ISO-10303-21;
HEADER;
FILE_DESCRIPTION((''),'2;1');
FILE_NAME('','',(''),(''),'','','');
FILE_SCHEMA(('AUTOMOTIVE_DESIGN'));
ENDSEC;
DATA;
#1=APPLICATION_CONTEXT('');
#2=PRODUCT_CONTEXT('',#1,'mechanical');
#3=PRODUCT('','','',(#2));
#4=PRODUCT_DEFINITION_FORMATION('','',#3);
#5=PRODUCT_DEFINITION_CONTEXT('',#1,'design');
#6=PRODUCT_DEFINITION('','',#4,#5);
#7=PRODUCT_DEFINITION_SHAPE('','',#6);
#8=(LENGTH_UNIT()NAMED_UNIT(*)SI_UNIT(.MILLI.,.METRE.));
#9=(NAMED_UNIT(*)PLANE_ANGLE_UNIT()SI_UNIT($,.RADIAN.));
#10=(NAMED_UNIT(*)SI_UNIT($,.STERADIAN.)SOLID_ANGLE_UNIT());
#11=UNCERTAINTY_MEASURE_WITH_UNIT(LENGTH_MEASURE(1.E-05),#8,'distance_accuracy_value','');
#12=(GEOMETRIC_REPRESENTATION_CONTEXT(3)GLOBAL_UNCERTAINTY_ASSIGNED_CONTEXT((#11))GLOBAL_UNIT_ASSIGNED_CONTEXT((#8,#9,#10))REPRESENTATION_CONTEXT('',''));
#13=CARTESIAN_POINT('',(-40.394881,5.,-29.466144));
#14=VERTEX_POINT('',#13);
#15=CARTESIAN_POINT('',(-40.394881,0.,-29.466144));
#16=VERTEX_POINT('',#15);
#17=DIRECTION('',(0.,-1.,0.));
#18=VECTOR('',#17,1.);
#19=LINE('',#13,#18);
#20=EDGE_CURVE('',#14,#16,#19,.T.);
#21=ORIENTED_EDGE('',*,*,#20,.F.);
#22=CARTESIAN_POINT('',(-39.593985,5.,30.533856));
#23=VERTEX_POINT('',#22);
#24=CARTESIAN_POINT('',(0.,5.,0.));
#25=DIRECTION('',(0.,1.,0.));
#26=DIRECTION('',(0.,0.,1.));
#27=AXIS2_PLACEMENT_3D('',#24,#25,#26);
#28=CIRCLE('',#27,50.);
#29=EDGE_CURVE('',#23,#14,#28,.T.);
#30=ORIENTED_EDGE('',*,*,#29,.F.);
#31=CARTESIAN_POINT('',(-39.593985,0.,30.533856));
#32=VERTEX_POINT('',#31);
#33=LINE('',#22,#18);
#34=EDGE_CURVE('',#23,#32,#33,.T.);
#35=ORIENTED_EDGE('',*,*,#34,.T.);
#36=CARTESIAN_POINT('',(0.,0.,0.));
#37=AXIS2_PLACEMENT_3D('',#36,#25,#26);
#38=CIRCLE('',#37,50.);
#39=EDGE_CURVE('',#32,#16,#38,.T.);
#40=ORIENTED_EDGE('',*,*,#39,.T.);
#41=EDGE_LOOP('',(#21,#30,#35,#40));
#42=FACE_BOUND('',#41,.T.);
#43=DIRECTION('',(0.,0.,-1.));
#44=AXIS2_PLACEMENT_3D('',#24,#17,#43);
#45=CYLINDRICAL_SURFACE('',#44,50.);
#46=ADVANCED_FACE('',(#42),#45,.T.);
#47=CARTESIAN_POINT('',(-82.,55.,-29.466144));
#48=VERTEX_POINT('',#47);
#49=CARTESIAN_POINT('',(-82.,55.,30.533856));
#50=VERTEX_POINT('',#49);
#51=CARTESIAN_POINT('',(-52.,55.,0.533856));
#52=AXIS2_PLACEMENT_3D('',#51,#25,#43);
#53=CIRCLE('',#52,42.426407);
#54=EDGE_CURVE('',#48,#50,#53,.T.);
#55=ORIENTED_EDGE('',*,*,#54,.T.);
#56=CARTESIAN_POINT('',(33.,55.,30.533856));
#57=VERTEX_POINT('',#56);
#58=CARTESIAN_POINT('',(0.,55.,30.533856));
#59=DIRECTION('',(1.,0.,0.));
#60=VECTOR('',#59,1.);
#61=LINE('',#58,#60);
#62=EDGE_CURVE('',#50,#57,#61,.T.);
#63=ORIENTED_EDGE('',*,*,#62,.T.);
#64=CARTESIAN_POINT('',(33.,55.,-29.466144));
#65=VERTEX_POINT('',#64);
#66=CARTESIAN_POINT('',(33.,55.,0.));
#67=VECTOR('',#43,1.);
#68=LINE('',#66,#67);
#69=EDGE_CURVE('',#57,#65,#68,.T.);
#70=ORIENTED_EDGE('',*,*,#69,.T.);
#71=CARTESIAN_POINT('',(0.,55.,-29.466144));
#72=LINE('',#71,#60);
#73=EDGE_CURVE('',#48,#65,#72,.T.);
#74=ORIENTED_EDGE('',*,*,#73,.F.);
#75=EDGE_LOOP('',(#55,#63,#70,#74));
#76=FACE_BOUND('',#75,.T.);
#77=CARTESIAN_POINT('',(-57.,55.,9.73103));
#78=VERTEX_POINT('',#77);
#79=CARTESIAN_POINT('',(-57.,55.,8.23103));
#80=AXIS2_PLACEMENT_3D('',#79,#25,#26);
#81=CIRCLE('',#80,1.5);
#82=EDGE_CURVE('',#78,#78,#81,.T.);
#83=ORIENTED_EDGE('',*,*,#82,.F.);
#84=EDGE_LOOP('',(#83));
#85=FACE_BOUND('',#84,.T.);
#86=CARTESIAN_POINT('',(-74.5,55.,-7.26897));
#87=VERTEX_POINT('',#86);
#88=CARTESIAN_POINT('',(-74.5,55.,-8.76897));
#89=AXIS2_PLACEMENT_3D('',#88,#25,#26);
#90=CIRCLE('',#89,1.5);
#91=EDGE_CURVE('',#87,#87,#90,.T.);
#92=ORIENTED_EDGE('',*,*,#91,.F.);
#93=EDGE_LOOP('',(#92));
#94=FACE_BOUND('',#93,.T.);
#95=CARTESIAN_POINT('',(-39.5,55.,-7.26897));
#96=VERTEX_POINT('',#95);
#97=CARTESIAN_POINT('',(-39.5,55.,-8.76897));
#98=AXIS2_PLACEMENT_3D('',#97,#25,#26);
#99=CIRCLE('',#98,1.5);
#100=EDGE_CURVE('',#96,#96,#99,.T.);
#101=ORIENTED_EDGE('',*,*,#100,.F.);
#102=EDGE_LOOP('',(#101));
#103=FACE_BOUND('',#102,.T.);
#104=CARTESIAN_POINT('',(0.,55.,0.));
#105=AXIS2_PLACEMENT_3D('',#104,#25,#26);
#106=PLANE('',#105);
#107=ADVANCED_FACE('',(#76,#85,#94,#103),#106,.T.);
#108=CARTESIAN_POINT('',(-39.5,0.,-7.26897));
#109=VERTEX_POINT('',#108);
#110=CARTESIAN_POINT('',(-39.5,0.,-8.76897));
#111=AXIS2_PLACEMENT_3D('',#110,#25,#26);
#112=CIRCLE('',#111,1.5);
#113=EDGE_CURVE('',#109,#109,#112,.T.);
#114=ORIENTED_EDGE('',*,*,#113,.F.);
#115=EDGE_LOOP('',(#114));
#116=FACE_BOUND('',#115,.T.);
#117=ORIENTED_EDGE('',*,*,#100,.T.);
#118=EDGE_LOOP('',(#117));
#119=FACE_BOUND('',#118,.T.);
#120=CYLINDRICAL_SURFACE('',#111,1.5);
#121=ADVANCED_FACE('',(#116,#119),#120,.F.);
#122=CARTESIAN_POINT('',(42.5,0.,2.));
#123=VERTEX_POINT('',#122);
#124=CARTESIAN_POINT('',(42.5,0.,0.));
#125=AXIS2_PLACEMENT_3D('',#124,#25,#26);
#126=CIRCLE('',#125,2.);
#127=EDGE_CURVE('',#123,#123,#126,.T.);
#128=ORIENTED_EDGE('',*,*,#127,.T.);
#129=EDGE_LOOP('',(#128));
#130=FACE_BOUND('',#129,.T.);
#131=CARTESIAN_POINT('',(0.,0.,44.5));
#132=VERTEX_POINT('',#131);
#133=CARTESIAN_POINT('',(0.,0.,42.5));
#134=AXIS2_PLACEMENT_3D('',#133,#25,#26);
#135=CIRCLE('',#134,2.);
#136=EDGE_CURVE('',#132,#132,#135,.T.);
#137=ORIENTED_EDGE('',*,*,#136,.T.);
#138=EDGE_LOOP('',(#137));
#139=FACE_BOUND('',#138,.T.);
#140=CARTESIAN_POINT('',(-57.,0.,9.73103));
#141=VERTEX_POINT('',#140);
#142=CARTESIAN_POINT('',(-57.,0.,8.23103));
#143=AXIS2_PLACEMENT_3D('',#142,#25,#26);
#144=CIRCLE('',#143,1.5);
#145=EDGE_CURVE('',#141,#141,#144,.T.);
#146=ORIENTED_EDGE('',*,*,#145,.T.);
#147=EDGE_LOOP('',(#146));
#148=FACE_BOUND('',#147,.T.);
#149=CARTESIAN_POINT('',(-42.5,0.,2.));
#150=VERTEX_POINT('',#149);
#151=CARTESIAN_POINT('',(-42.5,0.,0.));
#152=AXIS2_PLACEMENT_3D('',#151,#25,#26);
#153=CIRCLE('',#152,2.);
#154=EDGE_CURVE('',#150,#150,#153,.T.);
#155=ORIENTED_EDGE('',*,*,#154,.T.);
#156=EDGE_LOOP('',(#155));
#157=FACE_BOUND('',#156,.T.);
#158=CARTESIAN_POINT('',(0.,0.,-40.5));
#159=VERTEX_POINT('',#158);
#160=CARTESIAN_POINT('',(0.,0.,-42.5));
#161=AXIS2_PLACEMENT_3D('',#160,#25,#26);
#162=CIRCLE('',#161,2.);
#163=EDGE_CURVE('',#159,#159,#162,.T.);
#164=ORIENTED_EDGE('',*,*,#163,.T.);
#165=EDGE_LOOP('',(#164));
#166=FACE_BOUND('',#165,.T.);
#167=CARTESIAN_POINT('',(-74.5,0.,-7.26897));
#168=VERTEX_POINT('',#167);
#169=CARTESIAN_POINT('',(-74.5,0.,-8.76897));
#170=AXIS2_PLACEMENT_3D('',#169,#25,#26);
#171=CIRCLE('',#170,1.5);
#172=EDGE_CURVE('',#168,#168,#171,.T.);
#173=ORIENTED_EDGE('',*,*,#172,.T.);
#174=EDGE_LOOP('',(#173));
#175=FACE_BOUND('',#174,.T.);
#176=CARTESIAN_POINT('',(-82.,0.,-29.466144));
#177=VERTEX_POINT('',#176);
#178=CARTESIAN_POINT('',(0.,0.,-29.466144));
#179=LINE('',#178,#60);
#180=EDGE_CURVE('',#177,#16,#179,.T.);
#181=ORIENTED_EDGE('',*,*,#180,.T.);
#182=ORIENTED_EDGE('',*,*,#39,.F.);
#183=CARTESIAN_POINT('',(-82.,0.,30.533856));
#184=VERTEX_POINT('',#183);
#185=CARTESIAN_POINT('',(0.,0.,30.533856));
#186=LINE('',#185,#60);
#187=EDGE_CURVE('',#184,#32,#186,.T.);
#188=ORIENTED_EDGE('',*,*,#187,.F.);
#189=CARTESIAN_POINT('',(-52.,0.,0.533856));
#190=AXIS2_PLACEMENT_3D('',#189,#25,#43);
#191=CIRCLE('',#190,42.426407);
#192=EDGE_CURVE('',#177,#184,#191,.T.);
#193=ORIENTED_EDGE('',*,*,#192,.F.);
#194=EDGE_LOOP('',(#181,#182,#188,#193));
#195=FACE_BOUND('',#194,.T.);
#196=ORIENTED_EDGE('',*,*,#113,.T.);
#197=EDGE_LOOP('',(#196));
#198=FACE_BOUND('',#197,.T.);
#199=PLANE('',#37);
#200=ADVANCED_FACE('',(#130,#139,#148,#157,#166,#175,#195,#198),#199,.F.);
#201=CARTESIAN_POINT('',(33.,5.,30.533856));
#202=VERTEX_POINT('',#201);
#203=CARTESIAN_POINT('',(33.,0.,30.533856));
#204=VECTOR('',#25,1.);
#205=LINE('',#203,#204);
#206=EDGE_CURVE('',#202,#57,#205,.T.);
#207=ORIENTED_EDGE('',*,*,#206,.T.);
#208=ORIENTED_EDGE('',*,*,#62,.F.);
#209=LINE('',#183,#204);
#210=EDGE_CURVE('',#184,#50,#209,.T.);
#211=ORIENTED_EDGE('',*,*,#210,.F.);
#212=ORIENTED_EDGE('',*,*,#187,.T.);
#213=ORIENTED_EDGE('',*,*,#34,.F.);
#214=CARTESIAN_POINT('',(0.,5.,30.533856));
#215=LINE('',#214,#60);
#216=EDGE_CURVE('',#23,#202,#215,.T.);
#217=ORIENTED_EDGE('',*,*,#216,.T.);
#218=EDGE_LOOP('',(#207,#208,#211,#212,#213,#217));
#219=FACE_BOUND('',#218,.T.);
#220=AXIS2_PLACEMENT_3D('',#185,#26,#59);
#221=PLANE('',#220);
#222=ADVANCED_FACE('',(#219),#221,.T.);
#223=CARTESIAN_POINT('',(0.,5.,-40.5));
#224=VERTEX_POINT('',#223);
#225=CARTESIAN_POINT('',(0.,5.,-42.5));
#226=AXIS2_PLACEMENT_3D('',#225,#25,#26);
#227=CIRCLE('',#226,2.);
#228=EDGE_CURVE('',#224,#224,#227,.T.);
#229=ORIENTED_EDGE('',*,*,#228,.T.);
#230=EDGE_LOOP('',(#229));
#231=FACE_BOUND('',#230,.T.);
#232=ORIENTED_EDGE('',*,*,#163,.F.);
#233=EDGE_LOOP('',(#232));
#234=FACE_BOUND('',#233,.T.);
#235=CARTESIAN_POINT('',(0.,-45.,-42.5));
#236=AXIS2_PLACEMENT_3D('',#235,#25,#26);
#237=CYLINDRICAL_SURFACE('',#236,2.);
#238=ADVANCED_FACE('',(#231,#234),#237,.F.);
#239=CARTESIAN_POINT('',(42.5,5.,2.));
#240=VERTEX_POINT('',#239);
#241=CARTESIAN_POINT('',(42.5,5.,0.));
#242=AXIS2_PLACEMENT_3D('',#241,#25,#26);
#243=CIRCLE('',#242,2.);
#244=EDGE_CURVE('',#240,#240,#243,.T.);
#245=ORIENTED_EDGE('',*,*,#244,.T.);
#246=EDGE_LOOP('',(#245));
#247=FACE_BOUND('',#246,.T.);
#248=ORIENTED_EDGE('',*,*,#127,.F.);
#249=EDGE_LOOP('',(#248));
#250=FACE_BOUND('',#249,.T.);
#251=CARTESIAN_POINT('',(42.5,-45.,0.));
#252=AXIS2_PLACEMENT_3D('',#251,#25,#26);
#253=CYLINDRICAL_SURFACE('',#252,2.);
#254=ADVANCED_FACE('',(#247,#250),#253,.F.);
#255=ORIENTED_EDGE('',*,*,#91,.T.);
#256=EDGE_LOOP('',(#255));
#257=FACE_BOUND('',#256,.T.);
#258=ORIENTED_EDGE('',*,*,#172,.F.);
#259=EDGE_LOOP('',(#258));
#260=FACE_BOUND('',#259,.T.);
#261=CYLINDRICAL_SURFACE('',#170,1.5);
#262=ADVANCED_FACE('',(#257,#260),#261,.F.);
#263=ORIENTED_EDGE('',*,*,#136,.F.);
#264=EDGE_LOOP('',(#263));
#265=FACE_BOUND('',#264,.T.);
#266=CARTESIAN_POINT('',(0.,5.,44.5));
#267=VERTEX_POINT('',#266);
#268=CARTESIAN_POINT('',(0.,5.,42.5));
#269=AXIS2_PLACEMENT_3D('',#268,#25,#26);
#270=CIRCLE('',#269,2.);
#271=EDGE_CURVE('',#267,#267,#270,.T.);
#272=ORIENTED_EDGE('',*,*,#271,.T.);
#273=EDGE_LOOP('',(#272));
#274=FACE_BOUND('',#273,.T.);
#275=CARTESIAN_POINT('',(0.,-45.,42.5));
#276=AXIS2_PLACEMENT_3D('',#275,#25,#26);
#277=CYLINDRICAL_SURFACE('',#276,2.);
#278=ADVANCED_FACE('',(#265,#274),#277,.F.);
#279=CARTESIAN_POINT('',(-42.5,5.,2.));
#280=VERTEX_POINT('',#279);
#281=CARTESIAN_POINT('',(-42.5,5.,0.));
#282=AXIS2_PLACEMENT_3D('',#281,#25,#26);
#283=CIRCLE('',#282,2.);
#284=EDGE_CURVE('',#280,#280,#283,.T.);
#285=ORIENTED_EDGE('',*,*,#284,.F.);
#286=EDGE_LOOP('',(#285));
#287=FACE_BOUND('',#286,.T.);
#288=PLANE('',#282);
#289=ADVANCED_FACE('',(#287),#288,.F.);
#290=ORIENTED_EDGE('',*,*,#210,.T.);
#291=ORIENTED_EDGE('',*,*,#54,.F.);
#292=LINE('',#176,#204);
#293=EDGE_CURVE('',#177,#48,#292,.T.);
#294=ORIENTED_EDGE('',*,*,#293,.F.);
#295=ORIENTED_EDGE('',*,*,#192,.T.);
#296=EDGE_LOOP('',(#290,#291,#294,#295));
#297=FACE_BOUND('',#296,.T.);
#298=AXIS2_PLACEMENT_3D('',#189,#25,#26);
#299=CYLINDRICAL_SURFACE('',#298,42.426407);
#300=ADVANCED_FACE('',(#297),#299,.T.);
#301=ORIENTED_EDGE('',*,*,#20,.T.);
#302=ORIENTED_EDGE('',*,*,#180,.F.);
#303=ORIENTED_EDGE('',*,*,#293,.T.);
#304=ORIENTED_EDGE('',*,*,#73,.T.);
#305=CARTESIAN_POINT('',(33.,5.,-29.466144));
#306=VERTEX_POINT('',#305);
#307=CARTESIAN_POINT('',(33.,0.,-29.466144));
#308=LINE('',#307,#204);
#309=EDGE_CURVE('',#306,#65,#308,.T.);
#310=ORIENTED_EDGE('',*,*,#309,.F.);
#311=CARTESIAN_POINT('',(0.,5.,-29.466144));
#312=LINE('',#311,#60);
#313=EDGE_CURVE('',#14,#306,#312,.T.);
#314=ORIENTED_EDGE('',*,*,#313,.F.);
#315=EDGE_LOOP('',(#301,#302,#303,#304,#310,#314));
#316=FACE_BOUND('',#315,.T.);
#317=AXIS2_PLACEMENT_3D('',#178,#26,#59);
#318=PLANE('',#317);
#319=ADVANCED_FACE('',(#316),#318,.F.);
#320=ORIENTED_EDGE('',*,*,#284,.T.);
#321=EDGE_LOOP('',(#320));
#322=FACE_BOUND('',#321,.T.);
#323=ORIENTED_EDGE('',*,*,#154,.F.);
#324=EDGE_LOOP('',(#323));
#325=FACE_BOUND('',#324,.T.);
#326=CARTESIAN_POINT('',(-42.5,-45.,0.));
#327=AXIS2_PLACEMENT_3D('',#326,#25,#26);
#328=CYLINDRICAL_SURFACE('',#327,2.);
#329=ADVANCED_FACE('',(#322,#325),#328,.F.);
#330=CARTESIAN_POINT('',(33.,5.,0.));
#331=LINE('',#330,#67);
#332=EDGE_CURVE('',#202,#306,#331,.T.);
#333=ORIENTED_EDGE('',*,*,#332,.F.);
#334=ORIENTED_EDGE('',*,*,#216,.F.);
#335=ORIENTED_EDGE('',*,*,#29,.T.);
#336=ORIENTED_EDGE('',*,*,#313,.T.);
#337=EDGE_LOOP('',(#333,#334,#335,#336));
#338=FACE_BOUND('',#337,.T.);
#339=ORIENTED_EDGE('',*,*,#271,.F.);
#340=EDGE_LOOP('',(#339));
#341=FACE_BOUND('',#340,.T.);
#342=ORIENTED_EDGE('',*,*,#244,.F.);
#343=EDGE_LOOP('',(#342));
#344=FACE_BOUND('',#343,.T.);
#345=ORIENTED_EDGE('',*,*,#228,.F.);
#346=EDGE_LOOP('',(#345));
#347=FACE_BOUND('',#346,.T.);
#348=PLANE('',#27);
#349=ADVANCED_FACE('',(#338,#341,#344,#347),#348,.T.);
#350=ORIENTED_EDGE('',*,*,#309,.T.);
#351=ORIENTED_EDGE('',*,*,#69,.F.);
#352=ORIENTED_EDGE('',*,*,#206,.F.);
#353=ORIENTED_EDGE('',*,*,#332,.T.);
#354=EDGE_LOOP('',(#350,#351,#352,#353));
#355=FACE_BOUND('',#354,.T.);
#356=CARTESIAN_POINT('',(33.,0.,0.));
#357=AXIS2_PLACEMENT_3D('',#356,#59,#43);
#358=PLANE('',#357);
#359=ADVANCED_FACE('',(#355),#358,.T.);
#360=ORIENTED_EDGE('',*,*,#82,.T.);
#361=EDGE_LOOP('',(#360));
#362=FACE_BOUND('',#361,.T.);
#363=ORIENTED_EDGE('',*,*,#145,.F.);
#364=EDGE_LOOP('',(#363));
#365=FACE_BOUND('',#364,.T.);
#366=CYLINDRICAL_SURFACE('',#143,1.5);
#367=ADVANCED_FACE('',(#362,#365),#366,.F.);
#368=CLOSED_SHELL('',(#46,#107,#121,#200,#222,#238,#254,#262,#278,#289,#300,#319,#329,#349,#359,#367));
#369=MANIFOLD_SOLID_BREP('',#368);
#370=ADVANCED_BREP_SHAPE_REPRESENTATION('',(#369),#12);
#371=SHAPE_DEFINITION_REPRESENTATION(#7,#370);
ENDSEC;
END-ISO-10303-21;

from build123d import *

# Parameters (mm, degrees)
SKETCH1_R                = 50
BOSS_EXTRUDE1_DEPTH      = 5
BOSS_EXTRUDE2_DEPTH      = 50
BOSS_EXTRUDE2_DEPTH_BACK = 5
SKETCH3_R                = 2
CUT_EXTRUDE1_DEPTH       = 50
BOSS_EXTRUDE3_DEPTH      = 55
SKETCH5_R                = 1.5
CUT_EXTRUDE2_DEPTH       = 55


with BuildPart() as part:
    # Sketch1 → Boss-Extrude1 (new body)
    with BuildSketch(Plane(origin=(0, 0, 0), x_dir=(1, 0, 0), z_dir=(0, 1, 0))):
        with Locations(Location((0, 0, 0), (0, 0, 270))):
            Circle(SKETCH1_R)
    extrude(amount=BOSS_EXTRUDE1_DEPTH)

    # Sketch2 → Boss-Extrude2 (add, two sides: drawn at the far end of the back side and taken through both)
    with BuildSketch(Plane(origin=(0, 5, 0), x_dir=(1, 0, 0), z_dir=(0, 1, 0)).offset(-BOSS_EXTRUDE2_DEPTH_BACK)):
        with BuildLine():
            ThreePointArc((-40.394880662, 29.46614356), (-49.995546188, -0.667353994), (-39.593984529, -30.53385644))
            Line((-39.593984529, -30.53385644), (33, -30.53385644))
            Line((33, -30.53385644), (33, 29.46614356))
            Line((33, 29.46614356), (-40.394880662, 29.46614356))
        make_face()
        with BuildLine():
            Line((-82, 29.46614356), (-82, -30.53385644))
            Line((-82, -30.53385644), (-39.593984529, -30.53385644))
            ThreePointArc((-39.593984529, -30.53385644), (-49.995546188, -0.667353994), (-40.394880662, 29.46614356))
            Line((-40.394880662, 29.46614356), (-82, 29.46614356))
        make_face()
    extrude(amount=BOSS_EXTRUDE2_DEPTH + BOSS_EXTRUDE2_DEPTH_BACK)

    # Sketch3 → Cut-Extrude1 (cut)
    with BuildSketch(Plane(origin=(0, 5, 0), x_dir=(1, 0, 0), z_dir=(0, 1, 0))):
        with Locations(Location((0, -42.5, 0), (0, 0, 270))):
            Circle(SKETCH3_R)
        with Locations(Location((-42.5, 0, 0), (0, 0, 270))):
            Circle(SKETCH3_R)
        with Locations(Location((0, 42.5, 0), (0, 0, 270))):
            Circle(SKETCH3_R)
        with Locations(Location((42.5, 0, 0), (0, 0, 270))):
            Circle(SKETCH3_R)
    extrude(amount=-CUT_EXTRUDE1_DEPTH, mode=Mode.SUBTRACT)

    # Sketch4 → Boss-Extrude3 (add)
    with BuildSketch(Plane(origin=(0, 55, 0), x_dir=(1, 0, 0), z_dir=(0, 1, 0))):
        with BuildLine():
            Line((-82, 29.46614356), (-82, -30.53385644))
            ThreePointArc((-82, -30.53385644), (-94.426406871, -0.53385644), (-82, 29.46614356))
        make_face()
    extrude(amount=-BOSS_EXTRUDE3_DEPTH)

    # Sketch5 → Cut-Extrude2 (cut)
    with BuildSketch(Plane(origin=(0, 55, 0), x_dir=(1, 0, 0), z_dir=(0, 1, 0))):
        with Locations(Location((-74.5, 8.768970361, 0), (0, 0, 270))):
            Circle(SKETCH5_R)
        with Locations(Location((-39.5, 8.768970361, 0), (0, 0, 270))):
            Circle(SKETCH5_R)
        with Locations(Location((-57, -8.231029639, 0), (0, 0, 270))):
            Circle(SKETCH5_R)
    extrude(amount=-CUT_EXTRUDE2_DEPTH, mode=Mode.SUBTRACT)


solid = part.part
